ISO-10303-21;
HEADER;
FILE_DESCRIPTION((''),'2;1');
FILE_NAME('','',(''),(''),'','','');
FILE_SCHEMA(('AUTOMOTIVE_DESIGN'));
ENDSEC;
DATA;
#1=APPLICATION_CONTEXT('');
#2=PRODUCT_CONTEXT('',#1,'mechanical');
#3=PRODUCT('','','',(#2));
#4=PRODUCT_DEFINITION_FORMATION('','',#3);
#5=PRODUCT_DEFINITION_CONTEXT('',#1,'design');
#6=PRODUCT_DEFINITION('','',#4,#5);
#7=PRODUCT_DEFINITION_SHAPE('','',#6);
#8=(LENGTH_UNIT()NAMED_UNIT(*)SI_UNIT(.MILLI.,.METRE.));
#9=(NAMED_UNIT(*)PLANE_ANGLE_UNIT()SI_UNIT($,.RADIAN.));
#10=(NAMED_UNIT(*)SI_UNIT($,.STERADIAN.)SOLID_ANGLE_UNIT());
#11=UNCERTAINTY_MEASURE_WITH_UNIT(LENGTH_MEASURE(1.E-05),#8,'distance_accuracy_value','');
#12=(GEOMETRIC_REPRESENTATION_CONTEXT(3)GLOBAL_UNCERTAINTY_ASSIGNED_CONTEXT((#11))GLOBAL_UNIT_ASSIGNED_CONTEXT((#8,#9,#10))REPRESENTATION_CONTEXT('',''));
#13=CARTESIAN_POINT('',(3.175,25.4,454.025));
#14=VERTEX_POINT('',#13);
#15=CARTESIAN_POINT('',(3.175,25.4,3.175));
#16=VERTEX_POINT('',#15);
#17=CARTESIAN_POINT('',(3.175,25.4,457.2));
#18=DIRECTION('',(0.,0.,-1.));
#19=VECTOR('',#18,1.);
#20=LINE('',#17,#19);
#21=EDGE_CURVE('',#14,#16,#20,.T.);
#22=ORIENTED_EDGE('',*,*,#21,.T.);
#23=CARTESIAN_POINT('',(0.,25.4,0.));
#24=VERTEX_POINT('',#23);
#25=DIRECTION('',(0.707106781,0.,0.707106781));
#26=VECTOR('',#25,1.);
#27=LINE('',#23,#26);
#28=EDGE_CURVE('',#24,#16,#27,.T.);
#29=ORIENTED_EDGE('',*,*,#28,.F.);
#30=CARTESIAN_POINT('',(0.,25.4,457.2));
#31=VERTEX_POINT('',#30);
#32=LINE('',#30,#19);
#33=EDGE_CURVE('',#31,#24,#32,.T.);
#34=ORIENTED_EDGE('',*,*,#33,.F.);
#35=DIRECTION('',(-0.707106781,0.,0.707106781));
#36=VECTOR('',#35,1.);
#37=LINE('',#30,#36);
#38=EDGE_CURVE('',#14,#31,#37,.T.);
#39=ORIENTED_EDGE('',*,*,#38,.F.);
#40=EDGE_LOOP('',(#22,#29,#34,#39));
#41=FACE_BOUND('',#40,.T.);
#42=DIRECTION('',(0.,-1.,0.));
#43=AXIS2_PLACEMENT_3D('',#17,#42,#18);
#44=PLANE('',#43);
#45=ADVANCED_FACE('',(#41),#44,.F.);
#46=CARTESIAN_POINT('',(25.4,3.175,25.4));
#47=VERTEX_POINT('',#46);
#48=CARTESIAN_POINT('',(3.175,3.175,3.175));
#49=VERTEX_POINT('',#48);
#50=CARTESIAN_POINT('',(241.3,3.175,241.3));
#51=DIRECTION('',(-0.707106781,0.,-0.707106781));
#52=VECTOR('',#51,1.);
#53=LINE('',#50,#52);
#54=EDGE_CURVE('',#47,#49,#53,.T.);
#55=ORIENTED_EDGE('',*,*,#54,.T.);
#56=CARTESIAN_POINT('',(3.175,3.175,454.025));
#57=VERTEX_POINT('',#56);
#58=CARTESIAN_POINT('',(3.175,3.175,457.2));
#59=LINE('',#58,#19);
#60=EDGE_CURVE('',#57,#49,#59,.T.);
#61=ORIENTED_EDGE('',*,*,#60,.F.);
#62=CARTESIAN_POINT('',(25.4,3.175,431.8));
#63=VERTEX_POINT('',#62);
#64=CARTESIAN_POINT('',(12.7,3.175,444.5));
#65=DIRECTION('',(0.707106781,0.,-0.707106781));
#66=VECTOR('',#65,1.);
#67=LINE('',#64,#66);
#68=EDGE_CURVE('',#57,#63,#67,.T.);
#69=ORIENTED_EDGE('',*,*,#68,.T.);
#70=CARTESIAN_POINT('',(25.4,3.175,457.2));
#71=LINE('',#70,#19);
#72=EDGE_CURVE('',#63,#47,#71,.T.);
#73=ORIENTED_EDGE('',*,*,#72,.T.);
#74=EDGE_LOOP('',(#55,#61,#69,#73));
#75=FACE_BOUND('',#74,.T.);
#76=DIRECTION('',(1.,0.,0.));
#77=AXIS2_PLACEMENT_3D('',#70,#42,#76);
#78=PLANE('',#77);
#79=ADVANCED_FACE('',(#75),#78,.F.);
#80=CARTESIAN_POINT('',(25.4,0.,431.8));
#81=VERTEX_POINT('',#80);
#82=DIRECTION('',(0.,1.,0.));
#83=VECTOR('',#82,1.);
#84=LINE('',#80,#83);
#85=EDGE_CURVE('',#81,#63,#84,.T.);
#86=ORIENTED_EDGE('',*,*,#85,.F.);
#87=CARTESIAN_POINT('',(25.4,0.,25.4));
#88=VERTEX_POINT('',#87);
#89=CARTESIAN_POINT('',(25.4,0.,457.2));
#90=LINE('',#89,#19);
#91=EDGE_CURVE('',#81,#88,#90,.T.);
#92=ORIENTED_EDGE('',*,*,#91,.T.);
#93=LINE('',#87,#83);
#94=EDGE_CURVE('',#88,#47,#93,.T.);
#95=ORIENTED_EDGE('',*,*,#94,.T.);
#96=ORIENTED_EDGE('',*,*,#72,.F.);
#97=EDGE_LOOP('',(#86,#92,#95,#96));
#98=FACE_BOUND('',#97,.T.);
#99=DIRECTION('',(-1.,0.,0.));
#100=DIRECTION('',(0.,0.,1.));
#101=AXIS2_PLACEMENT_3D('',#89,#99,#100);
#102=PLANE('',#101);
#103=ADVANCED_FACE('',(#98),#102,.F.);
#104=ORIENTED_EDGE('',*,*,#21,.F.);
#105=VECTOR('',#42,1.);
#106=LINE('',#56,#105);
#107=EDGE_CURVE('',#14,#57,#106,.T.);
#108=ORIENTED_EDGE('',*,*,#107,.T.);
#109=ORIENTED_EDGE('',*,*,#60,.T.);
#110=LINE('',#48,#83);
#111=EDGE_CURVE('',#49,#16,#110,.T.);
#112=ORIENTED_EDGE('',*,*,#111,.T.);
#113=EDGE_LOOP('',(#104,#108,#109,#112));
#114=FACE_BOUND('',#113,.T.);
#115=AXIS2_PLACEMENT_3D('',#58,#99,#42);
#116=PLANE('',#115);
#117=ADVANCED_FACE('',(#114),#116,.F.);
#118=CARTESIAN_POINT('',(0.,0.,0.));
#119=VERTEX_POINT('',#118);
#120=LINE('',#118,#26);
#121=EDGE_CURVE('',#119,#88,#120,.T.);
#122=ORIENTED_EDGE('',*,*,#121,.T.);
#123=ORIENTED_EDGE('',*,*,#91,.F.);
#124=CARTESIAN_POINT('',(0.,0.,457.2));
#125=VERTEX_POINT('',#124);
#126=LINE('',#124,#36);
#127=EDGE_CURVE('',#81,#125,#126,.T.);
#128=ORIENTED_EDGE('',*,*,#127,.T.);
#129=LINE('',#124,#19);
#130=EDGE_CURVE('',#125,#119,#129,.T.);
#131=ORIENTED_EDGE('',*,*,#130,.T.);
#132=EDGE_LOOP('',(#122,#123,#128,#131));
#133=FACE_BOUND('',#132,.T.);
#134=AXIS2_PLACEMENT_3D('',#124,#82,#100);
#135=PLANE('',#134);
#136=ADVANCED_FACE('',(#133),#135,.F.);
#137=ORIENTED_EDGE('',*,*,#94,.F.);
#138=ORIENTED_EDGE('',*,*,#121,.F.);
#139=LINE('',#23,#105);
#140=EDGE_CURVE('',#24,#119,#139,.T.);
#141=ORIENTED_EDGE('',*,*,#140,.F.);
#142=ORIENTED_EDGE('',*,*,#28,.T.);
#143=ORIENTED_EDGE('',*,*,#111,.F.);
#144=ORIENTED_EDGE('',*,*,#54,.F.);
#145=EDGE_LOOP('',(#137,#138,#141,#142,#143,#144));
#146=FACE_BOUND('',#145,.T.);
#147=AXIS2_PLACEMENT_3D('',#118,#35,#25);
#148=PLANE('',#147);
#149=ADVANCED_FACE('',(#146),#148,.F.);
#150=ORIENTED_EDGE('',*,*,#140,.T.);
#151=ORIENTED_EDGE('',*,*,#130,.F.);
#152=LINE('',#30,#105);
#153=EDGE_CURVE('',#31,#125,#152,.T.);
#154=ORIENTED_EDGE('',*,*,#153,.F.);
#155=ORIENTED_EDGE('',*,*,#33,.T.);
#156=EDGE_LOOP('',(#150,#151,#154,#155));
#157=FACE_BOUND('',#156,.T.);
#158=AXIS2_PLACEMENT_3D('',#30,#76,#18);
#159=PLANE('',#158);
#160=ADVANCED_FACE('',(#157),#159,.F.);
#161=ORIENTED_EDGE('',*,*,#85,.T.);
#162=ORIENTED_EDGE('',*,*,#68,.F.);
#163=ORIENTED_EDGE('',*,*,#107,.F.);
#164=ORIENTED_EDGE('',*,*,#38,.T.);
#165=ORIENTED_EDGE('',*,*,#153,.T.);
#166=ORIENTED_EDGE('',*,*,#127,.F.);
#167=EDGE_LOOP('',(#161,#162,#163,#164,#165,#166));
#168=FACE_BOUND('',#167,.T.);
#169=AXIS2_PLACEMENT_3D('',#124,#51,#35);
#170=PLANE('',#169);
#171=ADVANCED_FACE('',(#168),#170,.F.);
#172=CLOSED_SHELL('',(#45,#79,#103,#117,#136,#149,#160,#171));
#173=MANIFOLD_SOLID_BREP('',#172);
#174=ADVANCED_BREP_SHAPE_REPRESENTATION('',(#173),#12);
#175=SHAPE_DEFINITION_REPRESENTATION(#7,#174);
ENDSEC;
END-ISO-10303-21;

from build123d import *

# Parameters (mm, degrees)
BOSS_EXTRUDE1_DEPTH     = 457.2
CUT_EXTRUDE1_DEPTH      = 23.225
CUT_EXTRUDE1_DEPTH_BACK = 4.175


with BuildPart() as part:
    # Sketch1 → Boss-Extrude1 (new body)
    with BuildSketch(Plane.XY):
        Polygon((0, 0), (25.4, 0), (25.4, 3.175), (3.175, 3.175), (3.175, 25.4), (0, 25.4), align=None)
    extrude(amount=BOSS_EXTRUDE1_DEPTH)

    # Sketch2 → Cut-Extrude1 (cut, two sides)
    with BuildSketch(Plane(origin=(0, 3.175, 0), x_dir=(1, 0, 0), z_dir=(0, 1, 0))) as cut_extrude1_sk:
        Polygon((0, 0), (25.4, -25.4), (25.4, 0), align=None)
        Polygon((0, -457.2), (25.4, -431.8), (25.4, -457.2), align=None)
    extrude(amount=CUT_EXTRUDE1_DEPTH, mode=Mode.SUBTRACT)
    extrude(cut_extrude1_sk.sketch, amount=-CUT_EXTRUDE1_DEPTH_BACK, mode=Mode.SUBTRACT)


solid = part.part
